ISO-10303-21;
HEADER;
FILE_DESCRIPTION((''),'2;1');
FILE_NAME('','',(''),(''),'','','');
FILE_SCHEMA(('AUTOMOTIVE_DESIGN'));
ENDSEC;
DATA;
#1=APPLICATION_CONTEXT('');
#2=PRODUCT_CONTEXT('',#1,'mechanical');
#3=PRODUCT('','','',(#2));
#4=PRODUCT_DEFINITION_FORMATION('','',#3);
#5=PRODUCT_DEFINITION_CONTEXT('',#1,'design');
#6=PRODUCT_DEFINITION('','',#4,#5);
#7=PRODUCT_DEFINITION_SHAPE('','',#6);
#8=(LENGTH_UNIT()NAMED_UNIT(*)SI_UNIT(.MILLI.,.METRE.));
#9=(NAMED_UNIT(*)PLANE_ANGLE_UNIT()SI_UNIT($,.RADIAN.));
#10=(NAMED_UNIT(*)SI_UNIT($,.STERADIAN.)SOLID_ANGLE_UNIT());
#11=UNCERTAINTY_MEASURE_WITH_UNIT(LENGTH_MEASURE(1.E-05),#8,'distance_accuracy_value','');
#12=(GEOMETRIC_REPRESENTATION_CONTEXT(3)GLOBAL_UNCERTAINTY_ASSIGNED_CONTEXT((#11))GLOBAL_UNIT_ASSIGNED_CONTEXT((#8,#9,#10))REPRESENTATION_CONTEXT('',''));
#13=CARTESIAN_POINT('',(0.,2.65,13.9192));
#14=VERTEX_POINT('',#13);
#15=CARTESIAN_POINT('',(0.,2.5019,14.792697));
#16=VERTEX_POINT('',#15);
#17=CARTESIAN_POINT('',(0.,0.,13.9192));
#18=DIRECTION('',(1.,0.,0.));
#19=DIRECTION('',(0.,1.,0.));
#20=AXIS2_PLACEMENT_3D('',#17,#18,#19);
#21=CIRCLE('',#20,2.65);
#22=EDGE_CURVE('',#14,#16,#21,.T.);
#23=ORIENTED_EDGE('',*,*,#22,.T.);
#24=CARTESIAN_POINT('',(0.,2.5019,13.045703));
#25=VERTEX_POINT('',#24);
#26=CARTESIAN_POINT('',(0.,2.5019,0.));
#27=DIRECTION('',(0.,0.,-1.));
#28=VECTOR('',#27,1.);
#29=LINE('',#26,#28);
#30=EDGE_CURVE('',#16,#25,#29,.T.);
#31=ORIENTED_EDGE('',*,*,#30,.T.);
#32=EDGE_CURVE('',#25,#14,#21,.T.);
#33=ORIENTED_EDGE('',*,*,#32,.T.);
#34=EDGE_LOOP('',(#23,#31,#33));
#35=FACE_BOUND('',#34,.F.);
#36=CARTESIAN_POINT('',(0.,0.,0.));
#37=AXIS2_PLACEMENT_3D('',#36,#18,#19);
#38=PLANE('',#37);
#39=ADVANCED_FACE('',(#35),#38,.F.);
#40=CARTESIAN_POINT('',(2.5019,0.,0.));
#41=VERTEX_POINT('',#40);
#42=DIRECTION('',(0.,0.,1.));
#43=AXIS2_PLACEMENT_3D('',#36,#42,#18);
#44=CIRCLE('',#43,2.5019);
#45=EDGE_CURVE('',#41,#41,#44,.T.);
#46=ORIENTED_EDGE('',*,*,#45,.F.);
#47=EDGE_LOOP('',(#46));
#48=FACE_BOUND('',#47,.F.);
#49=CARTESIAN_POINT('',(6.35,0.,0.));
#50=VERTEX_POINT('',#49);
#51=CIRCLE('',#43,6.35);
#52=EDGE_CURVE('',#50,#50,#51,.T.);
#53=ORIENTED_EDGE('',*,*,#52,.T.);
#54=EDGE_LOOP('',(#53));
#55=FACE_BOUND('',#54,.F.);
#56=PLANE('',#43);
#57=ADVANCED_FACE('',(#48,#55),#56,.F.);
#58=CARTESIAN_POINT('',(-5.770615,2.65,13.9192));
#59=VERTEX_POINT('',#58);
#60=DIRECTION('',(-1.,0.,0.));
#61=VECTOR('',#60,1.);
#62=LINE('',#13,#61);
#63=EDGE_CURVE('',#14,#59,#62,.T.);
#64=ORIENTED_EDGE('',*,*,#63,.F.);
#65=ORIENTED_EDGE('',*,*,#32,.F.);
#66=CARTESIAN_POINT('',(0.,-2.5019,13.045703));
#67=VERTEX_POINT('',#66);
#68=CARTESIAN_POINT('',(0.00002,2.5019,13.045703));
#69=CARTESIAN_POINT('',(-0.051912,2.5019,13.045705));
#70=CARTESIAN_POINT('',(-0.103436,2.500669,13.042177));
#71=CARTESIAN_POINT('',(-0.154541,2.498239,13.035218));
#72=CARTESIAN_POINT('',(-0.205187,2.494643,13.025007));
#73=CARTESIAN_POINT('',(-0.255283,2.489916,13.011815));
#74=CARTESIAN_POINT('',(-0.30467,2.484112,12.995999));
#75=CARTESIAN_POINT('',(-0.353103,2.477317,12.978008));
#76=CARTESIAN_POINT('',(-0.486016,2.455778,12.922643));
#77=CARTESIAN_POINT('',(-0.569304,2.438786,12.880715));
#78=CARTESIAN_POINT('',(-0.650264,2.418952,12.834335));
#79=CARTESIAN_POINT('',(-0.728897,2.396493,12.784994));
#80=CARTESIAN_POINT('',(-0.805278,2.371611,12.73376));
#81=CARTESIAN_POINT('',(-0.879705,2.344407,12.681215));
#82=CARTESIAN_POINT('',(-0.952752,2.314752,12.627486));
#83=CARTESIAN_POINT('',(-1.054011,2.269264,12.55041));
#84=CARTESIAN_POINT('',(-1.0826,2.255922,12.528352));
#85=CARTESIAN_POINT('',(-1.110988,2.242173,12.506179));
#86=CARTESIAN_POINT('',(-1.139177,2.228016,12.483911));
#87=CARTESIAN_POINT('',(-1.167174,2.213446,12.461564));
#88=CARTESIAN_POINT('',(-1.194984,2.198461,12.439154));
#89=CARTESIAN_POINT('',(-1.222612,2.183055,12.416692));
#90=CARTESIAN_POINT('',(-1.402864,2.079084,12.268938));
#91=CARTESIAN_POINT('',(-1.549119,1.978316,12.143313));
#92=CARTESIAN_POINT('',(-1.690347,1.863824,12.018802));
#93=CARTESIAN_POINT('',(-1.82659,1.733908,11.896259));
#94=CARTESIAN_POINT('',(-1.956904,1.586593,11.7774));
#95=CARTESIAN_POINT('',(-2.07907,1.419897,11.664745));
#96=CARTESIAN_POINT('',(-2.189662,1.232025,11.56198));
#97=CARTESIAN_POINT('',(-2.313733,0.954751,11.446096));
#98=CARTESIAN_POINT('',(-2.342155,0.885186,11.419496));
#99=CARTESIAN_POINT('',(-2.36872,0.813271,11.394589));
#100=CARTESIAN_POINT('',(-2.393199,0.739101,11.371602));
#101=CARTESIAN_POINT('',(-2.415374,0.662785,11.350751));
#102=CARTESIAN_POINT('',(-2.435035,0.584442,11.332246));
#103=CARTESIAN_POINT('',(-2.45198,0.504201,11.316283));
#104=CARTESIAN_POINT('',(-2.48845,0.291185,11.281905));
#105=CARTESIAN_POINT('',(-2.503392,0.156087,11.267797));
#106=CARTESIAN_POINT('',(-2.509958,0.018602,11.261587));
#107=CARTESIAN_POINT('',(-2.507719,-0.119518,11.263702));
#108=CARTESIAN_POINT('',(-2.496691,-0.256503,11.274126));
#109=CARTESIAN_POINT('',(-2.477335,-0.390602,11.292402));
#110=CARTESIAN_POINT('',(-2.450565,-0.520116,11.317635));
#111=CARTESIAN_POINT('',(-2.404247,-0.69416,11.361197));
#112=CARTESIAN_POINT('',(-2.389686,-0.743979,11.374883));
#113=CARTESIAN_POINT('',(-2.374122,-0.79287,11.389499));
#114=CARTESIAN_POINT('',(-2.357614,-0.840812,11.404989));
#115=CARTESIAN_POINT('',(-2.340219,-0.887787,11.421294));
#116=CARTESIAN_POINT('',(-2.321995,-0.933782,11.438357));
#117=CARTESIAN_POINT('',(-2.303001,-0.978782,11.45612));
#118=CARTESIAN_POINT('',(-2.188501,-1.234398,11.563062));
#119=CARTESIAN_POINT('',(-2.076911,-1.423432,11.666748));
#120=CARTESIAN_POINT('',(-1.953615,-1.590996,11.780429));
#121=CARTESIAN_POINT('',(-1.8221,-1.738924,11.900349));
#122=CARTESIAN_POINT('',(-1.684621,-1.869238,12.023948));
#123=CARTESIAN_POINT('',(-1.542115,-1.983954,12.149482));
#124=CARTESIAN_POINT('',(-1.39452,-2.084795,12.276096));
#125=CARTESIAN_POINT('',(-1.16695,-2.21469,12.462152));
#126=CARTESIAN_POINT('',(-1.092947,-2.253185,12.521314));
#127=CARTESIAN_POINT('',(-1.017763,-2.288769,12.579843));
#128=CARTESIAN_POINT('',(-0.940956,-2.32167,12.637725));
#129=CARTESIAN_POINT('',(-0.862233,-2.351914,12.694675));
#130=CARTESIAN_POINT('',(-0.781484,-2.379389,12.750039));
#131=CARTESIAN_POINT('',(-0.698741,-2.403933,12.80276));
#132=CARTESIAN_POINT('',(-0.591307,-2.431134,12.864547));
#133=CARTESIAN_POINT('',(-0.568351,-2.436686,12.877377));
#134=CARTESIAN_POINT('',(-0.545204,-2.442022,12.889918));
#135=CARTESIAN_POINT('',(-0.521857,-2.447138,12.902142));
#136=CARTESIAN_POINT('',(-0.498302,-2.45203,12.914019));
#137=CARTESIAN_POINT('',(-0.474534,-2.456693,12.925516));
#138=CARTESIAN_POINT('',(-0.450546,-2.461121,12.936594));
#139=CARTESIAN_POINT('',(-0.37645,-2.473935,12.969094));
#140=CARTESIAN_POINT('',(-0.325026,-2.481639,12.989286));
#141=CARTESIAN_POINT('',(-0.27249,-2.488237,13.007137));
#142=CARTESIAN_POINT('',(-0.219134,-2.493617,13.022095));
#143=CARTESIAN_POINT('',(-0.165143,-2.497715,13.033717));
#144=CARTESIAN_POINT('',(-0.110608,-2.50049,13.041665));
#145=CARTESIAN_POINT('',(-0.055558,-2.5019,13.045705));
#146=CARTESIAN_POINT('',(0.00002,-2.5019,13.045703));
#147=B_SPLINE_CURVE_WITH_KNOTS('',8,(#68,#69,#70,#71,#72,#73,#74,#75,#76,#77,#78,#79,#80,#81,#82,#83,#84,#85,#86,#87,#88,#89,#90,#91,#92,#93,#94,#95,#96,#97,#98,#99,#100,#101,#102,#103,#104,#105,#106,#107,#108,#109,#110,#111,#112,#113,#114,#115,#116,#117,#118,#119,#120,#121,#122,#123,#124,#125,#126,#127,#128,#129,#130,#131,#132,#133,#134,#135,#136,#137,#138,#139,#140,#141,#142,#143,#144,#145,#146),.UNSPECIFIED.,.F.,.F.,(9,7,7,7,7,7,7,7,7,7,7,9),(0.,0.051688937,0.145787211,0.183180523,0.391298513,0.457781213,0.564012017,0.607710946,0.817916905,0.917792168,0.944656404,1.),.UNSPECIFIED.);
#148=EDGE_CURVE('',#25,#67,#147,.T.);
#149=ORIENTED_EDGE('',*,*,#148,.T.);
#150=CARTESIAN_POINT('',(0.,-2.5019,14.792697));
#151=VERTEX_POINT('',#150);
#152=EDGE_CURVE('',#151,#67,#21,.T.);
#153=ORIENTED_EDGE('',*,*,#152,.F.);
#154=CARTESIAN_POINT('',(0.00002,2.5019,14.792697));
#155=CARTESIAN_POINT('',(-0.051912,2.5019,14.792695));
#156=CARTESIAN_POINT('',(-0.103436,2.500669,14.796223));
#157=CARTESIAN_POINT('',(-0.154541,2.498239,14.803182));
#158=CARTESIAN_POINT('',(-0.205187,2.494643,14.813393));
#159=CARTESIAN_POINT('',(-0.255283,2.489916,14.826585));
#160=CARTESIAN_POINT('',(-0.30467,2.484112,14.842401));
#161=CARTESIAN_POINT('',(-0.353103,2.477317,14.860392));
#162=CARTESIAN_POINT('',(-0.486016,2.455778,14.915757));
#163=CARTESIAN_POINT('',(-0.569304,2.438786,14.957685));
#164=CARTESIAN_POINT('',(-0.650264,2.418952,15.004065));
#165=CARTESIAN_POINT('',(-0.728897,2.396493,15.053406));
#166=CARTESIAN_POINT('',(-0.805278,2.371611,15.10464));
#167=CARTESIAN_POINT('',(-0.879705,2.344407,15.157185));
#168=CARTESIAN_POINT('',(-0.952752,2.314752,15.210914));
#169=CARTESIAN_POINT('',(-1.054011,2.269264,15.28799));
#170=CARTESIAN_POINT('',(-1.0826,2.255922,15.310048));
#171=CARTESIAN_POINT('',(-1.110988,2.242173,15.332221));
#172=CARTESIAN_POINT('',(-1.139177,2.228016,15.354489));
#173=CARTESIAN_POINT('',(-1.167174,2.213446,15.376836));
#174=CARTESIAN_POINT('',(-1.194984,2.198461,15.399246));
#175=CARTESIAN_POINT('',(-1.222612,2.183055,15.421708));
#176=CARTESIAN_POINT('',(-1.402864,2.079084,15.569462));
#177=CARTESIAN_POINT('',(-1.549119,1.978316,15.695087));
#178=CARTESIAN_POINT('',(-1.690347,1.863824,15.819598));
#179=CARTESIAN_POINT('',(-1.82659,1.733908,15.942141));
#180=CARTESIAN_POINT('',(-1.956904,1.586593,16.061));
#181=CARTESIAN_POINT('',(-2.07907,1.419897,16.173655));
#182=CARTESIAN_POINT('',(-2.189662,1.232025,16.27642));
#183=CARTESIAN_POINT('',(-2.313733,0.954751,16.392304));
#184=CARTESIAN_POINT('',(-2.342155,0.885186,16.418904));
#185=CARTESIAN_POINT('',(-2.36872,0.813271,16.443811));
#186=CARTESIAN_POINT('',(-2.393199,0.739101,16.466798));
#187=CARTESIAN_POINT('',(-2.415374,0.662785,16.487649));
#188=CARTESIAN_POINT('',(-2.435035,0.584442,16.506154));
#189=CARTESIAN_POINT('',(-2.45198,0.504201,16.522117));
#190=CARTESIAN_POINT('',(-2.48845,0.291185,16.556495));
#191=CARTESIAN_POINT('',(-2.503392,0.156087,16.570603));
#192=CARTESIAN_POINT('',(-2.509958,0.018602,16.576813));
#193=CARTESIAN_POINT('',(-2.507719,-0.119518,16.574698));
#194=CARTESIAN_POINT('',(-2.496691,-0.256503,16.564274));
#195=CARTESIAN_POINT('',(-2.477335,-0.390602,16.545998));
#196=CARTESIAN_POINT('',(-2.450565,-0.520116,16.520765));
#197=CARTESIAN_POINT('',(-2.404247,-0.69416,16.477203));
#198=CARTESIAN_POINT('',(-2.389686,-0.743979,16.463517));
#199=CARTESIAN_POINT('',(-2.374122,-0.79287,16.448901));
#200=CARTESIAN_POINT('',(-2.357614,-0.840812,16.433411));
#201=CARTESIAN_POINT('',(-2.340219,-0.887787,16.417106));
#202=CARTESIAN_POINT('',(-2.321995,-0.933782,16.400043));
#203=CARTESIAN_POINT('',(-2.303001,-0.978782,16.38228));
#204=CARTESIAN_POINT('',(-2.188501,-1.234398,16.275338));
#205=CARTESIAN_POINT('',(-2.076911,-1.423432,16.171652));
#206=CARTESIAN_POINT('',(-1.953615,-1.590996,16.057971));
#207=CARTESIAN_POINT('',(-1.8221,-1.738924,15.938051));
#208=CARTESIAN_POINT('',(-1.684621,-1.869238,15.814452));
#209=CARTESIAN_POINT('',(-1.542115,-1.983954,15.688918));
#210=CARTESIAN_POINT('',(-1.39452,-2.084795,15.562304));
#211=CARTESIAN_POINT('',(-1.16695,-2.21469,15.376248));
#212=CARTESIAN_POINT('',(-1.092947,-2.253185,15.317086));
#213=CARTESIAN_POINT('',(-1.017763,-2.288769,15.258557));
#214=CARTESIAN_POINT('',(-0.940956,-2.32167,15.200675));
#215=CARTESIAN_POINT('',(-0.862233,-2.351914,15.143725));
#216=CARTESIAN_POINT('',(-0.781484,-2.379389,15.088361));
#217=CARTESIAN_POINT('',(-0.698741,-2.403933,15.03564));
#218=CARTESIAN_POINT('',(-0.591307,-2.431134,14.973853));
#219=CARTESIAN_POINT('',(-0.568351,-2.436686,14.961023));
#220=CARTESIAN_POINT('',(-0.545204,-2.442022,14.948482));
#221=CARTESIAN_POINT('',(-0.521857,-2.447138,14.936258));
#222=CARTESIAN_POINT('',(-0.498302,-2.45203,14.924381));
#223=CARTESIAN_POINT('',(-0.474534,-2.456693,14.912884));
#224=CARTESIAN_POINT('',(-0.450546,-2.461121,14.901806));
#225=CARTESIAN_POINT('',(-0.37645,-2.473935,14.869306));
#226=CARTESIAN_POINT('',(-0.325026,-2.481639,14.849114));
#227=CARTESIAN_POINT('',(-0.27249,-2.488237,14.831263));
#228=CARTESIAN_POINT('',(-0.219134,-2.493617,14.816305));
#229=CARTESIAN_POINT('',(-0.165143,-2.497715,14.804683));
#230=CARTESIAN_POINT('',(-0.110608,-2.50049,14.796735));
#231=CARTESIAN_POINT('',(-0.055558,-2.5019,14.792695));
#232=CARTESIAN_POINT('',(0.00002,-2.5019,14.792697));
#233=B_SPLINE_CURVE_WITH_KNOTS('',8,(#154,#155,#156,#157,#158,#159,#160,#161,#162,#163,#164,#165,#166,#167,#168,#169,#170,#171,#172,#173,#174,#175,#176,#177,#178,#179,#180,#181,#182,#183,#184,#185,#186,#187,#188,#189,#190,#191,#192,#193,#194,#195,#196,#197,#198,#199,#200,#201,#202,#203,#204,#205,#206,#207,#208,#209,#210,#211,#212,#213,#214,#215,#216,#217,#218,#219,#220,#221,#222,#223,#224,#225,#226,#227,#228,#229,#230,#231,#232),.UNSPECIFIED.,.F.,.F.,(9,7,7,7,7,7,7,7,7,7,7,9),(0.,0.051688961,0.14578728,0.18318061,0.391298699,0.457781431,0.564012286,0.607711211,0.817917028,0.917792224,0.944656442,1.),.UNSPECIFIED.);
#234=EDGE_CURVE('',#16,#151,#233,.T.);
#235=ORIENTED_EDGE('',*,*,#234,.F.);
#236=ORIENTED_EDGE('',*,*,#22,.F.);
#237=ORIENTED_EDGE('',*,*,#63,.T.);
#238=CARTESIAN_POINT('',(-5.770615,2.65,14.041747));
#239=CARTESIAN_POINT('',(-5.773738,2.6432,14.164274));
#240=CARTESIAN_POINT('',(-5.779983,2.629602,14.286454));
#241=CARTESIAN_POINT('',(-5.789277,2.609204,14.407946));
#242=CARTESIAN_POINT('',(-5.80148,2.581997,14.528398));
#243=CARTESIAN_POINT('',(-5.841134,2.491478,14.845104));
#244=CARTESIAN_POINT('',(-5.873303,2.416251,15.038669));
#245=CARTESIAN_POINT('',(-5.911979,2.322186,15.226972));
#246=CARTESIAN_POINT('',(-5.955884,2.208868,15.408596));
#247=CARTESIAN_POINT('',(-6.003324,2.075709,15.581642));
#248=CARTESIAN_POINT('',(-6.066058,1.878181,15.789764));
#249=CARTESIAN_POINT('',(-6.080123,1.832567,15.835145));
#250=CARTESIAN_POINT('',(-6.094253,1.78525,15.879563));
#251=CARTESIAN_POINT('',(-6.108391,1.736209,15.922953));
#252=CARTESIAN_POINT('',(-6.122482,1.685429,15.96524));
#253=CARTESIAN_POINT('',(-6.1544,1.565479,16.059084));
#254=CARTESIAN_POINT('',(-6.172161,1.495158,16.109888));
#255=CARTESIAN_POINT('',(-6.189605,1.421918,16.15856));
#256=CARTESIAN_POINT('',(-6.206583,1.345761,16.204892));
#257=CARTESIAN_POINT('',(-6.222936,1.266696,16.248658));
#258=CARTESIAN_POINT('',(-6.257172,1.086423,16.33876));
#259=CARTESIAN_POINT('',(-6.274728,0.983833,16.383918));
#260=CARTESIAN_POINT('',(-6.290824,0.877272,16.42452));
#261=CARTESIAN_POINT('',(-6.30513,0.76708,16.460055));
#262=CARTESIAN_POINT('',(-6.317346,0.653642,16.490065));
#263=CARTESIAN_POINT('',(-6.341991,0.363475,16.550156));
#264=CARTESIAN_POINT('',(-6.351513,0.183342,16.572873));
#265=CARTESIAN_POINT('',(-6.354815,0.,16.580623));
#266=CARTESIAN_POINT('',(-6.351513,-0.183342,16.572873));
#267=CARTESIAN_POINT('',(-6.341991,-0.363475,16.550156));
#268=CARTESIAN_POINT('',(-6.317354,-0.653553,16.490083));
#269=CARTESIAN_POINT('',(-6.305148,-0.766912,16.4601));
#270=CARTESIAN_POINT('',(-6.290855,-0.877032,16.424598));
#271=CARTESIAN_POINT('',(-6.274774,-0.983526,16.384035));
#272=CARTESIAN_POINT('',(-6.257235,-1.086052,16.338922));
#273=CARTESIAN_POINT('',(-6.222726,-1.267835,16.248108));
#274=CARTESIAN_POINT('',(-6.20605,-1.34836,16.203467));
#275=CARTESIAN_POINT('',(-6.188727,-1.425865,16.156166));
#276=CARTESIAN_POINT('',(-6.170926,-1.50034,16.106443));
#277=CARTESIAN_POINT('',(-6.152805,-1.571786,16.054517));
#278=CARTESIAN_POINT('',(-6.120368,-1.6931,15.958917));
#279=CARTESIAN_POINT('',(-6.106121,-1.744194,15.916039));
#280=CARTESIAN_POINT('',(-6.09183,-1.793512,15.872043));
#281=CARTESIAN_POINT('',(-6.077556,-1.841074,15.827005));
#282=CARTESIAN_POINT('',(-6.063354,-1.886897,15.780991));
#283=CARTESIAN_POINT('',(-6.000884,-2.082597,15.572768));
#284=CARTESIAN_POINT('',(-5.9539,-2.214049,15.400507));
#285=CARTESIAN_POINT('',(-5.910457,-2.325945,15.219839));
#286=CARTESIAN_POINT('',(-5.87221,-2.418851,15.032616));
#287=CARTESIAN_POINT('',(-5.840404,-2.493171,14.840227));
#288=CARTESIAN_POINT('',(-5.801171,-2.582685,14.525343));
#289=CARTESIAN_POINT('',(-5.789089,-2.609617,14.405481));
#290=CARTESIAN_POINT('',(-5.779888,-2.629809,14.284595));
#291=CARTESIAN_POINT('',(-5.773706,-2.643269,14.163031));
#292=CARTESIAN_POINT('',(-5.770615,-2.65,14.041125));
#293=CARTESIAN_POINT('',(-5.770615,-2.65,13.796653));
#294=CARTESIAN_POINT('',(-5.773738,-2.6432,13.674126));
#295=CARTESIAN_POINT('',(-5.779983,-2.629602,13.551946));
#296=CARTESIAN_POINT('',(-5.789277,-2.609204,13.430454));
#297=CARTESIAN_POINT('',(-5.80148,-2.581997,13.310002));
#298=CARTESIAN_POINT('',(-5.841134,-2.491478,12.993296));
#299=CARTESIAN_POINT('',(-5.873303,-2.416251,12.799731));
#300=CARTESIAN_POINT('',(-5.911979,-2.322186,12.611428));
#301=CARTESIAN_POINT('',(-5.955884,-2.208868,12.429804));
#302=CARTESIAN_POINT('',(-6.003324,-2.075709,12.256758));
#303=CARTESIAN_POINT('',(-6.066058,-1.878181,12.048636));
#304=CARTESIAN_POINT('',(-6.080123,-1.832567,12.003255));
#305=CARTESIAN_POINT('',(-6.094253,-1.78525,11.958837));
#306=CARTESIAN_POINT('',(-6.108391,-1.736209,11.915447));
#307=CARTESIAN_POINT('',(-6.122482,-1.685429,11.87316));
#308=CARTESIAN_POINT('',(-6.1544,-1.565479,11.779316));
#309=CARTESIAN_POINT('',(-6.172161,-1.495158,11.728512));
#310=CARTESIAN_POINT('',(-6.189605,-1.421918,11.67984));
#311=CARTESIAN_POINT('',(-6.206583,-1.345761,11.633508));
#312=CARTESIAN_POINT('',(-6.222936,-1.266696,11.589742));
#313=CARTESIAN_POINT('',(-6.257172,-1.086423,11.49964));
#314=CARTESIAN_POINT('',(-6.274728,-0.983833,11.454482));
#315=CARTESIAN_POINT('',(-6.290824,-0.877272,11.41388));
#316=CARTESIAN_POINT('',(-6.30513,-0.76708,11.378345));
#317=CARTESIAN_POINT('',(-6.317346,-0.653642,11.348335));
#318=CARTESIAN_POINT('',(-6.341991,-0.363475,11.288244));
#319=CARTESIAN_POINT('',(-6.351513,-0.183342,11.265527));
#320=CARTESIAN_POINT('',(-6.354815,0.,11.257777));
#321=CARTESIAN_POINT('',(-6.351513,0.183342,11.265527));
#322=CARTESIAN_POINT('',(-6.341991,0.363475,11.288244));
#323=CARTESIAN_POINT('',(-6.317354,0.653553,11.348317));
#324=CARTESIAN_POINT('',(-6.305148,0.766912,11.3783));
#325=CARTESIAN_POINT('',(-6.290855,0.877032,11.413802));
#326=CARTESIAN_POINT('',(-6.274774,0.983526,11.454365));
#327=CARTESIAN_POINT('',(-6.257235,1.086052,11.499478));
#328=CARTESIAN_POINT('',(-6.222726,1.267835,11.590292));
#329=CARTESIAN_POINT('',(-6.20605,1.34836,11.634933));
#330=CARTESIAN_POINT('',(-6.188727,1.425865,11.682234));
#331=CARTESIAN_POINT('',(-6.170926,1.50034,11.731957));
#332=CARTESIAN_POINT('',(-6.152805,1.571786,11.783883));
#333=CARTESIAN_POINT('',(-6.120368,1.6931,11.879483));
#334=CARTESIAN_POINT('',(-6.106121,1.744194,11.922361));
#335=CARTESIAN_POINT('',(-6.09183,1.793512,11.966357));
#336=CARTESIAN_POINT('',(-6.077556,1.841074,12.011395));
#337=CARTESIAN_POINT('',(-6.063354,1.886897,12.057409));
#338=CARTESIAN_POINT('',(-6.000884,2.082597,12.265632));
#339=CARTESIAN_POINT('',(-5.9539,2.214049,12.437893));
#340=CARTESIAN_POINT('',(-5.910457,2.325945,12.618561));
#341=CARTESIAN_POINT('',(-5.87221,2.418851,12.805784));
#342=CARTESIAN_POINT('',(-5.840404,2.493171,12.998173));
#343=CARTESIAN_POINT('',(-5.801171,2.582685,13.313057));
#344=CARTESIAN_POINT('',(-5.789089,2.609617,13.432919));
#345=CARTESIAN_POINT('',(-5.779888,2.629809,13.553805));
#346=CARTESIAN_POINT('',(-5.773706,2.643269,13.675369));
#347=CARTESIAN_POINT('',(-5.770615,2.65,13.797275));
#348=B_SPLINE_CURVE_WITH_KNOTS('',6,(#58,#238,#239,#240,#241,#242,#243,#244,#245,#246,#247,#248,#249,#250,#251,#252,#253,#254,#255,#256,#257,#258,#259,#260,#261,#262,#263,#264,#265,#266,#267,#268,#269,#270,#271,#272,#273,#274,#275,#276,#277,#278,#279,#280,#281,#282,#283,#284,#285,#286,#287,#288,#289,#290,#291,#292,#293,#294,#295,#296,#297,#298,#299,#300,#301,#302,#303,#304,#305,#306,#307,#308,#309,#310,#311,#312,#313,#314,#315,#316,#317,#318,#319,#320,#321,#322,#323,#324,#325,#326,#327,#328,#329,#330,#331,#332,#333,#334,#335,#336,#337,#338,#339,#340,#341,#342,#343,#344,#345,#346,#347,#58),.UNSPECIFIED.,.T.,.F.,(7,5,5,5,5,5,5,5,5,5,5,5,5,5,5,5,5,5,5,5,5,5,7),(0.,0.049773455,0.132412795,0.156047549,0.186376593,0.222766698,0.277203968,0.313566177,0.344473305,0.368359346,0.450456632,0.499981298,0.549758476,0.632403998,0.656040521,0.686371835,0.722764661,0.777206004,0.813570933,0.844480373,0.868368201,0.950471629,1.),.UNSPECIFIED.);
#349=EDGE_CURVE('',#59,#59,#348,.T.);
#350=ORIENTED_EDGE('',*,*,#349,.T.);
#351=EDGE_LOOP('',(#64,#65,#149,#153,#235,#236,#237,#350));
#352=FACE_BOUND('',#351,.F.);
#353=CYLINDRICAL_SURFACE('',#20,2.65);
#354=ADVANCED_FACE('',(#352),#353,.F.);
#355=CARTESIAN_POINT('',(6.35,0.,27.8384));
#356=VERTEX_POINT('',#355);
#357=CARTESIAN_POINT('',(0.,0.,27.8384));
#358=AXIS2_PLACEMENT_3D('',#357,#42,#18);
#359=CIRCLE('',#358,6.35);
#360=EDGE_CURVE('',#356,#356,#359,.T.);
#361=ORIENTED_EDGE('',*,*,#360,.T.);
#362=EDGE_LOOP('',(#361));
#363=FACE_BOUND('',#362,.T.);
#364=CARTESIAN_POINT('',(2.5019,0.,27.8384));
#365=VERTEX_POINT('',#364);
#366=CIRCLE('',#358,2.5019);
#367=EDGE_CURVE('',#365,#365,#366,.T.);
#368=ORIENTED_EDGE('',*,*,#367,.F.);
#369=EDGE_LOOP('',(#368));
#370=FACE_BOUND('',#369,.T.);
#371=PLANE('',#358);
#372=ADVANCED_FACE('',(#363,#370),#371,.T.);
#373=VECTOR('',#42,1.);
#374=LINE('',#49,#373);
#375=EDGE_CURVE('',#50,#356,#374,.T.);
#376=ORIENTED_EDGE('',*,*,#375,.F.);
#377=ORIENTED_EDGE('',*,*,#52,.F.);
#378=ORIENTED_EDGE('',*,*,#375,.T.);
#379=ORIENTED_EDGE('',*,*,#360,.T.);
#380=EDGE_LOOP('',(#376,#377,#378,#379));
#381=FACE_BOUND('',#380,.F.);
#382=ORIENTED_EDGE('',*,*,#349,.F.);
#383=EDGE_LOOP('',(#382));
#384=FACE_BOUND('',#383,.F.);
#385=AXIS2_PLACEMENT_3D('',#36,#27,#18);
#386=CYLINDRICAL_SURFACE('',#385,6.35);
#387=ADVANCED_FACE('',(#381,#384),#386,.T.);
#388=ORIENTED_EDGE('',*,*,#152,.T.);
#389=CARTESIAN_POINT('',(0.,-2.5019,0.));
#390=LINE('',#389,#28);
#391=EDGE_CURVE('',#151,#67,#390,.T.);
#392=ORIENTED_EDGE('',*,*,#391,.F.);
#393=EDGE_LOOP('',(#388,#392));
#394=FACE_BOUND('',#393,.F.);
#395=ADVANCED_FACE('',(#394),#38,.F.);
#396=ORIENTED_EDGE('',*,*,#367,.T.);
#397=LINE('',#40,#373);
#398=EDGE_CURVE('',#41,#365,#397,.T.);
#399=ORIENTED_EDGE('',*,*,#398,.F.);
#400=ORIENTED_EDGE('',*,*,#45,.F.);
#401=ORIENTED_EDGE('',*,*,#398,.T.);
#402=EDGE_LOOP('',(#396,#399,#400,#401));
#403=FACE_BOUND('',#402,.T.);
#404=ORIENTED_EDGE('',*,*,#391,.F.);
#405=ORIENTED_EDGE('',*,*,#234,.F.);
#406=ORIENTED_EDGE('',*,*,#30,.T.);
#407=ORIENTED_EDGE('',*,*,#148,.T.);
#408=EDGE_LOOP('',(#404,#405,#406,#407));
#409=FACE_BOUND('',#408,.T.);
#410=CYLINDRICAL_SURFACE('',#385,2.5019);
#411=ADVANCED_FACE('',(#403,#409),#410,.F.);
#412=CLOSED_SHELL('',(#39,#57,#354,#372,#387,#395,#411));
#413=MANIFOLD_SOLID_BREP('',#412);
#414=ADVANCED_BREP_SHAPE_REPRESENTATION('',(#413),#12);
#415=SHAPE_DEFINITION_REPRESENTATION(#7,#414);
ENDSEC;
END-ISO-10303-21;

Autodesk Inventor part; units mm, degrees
ref_plane "YZ Plane" through (0, 0, 0) normal (1, 0, 0) x (0, 1, 0)
ref_plane "XZ Plane" through (0, 0, 0) normal (0, 1, 0) x (-1, 0, 0)
ref_plane "XY Plane" through (0, 0, 0) normal (0, 0, 1) x (1, 0, 0)
sketch "Sketch1" plane through (0, 0, 0) normal (0, 0, 1) x (1, 0, 0)
  circle A0 centre (0, 0) radius 17.4793 construction
  circle A1 centre (0, 0) radius 23.2285 construction
  circle A2 centre (0, 0) radius 6.35
  circle A3 centre (0, 0) radius 2.5019
  dimension "d0" = 46.4569
  dimension "d1" = 34.9586
  dimension "d2" = 12.7
  dimension "d3" = 5.0038
extrude "Extrusion1" add sketch "Sketch1" along normal blind 27.8384
sketch "Sketch2" plane through (0, 0, 0) normal (1, 0, 0) x (0, 1, 0)
  line L0 (0, 0) -> (0, 27.8384) construction
  line L1 (6.35, 27.8384) -> (-6.35, 27.8384) construction
  circle A0 centre (0, 13.9192) radius 2.65
  dimension "d6" = 5.3
extrude "Extrusion2" cut sketch "Sketch2" against normal through all
ref_plane "Work Plane1" through (0, 0, 0) normal (0, 0, 1) x (1, 0, 0)
sketch "Sketch3" plane through (0, 0, 0) normal (0, 0, 1) x (1, 0, 0)
  circle A0 centre (0, 0) radius 22.9615 construction
properties part number "Inner Gear Extruded"
